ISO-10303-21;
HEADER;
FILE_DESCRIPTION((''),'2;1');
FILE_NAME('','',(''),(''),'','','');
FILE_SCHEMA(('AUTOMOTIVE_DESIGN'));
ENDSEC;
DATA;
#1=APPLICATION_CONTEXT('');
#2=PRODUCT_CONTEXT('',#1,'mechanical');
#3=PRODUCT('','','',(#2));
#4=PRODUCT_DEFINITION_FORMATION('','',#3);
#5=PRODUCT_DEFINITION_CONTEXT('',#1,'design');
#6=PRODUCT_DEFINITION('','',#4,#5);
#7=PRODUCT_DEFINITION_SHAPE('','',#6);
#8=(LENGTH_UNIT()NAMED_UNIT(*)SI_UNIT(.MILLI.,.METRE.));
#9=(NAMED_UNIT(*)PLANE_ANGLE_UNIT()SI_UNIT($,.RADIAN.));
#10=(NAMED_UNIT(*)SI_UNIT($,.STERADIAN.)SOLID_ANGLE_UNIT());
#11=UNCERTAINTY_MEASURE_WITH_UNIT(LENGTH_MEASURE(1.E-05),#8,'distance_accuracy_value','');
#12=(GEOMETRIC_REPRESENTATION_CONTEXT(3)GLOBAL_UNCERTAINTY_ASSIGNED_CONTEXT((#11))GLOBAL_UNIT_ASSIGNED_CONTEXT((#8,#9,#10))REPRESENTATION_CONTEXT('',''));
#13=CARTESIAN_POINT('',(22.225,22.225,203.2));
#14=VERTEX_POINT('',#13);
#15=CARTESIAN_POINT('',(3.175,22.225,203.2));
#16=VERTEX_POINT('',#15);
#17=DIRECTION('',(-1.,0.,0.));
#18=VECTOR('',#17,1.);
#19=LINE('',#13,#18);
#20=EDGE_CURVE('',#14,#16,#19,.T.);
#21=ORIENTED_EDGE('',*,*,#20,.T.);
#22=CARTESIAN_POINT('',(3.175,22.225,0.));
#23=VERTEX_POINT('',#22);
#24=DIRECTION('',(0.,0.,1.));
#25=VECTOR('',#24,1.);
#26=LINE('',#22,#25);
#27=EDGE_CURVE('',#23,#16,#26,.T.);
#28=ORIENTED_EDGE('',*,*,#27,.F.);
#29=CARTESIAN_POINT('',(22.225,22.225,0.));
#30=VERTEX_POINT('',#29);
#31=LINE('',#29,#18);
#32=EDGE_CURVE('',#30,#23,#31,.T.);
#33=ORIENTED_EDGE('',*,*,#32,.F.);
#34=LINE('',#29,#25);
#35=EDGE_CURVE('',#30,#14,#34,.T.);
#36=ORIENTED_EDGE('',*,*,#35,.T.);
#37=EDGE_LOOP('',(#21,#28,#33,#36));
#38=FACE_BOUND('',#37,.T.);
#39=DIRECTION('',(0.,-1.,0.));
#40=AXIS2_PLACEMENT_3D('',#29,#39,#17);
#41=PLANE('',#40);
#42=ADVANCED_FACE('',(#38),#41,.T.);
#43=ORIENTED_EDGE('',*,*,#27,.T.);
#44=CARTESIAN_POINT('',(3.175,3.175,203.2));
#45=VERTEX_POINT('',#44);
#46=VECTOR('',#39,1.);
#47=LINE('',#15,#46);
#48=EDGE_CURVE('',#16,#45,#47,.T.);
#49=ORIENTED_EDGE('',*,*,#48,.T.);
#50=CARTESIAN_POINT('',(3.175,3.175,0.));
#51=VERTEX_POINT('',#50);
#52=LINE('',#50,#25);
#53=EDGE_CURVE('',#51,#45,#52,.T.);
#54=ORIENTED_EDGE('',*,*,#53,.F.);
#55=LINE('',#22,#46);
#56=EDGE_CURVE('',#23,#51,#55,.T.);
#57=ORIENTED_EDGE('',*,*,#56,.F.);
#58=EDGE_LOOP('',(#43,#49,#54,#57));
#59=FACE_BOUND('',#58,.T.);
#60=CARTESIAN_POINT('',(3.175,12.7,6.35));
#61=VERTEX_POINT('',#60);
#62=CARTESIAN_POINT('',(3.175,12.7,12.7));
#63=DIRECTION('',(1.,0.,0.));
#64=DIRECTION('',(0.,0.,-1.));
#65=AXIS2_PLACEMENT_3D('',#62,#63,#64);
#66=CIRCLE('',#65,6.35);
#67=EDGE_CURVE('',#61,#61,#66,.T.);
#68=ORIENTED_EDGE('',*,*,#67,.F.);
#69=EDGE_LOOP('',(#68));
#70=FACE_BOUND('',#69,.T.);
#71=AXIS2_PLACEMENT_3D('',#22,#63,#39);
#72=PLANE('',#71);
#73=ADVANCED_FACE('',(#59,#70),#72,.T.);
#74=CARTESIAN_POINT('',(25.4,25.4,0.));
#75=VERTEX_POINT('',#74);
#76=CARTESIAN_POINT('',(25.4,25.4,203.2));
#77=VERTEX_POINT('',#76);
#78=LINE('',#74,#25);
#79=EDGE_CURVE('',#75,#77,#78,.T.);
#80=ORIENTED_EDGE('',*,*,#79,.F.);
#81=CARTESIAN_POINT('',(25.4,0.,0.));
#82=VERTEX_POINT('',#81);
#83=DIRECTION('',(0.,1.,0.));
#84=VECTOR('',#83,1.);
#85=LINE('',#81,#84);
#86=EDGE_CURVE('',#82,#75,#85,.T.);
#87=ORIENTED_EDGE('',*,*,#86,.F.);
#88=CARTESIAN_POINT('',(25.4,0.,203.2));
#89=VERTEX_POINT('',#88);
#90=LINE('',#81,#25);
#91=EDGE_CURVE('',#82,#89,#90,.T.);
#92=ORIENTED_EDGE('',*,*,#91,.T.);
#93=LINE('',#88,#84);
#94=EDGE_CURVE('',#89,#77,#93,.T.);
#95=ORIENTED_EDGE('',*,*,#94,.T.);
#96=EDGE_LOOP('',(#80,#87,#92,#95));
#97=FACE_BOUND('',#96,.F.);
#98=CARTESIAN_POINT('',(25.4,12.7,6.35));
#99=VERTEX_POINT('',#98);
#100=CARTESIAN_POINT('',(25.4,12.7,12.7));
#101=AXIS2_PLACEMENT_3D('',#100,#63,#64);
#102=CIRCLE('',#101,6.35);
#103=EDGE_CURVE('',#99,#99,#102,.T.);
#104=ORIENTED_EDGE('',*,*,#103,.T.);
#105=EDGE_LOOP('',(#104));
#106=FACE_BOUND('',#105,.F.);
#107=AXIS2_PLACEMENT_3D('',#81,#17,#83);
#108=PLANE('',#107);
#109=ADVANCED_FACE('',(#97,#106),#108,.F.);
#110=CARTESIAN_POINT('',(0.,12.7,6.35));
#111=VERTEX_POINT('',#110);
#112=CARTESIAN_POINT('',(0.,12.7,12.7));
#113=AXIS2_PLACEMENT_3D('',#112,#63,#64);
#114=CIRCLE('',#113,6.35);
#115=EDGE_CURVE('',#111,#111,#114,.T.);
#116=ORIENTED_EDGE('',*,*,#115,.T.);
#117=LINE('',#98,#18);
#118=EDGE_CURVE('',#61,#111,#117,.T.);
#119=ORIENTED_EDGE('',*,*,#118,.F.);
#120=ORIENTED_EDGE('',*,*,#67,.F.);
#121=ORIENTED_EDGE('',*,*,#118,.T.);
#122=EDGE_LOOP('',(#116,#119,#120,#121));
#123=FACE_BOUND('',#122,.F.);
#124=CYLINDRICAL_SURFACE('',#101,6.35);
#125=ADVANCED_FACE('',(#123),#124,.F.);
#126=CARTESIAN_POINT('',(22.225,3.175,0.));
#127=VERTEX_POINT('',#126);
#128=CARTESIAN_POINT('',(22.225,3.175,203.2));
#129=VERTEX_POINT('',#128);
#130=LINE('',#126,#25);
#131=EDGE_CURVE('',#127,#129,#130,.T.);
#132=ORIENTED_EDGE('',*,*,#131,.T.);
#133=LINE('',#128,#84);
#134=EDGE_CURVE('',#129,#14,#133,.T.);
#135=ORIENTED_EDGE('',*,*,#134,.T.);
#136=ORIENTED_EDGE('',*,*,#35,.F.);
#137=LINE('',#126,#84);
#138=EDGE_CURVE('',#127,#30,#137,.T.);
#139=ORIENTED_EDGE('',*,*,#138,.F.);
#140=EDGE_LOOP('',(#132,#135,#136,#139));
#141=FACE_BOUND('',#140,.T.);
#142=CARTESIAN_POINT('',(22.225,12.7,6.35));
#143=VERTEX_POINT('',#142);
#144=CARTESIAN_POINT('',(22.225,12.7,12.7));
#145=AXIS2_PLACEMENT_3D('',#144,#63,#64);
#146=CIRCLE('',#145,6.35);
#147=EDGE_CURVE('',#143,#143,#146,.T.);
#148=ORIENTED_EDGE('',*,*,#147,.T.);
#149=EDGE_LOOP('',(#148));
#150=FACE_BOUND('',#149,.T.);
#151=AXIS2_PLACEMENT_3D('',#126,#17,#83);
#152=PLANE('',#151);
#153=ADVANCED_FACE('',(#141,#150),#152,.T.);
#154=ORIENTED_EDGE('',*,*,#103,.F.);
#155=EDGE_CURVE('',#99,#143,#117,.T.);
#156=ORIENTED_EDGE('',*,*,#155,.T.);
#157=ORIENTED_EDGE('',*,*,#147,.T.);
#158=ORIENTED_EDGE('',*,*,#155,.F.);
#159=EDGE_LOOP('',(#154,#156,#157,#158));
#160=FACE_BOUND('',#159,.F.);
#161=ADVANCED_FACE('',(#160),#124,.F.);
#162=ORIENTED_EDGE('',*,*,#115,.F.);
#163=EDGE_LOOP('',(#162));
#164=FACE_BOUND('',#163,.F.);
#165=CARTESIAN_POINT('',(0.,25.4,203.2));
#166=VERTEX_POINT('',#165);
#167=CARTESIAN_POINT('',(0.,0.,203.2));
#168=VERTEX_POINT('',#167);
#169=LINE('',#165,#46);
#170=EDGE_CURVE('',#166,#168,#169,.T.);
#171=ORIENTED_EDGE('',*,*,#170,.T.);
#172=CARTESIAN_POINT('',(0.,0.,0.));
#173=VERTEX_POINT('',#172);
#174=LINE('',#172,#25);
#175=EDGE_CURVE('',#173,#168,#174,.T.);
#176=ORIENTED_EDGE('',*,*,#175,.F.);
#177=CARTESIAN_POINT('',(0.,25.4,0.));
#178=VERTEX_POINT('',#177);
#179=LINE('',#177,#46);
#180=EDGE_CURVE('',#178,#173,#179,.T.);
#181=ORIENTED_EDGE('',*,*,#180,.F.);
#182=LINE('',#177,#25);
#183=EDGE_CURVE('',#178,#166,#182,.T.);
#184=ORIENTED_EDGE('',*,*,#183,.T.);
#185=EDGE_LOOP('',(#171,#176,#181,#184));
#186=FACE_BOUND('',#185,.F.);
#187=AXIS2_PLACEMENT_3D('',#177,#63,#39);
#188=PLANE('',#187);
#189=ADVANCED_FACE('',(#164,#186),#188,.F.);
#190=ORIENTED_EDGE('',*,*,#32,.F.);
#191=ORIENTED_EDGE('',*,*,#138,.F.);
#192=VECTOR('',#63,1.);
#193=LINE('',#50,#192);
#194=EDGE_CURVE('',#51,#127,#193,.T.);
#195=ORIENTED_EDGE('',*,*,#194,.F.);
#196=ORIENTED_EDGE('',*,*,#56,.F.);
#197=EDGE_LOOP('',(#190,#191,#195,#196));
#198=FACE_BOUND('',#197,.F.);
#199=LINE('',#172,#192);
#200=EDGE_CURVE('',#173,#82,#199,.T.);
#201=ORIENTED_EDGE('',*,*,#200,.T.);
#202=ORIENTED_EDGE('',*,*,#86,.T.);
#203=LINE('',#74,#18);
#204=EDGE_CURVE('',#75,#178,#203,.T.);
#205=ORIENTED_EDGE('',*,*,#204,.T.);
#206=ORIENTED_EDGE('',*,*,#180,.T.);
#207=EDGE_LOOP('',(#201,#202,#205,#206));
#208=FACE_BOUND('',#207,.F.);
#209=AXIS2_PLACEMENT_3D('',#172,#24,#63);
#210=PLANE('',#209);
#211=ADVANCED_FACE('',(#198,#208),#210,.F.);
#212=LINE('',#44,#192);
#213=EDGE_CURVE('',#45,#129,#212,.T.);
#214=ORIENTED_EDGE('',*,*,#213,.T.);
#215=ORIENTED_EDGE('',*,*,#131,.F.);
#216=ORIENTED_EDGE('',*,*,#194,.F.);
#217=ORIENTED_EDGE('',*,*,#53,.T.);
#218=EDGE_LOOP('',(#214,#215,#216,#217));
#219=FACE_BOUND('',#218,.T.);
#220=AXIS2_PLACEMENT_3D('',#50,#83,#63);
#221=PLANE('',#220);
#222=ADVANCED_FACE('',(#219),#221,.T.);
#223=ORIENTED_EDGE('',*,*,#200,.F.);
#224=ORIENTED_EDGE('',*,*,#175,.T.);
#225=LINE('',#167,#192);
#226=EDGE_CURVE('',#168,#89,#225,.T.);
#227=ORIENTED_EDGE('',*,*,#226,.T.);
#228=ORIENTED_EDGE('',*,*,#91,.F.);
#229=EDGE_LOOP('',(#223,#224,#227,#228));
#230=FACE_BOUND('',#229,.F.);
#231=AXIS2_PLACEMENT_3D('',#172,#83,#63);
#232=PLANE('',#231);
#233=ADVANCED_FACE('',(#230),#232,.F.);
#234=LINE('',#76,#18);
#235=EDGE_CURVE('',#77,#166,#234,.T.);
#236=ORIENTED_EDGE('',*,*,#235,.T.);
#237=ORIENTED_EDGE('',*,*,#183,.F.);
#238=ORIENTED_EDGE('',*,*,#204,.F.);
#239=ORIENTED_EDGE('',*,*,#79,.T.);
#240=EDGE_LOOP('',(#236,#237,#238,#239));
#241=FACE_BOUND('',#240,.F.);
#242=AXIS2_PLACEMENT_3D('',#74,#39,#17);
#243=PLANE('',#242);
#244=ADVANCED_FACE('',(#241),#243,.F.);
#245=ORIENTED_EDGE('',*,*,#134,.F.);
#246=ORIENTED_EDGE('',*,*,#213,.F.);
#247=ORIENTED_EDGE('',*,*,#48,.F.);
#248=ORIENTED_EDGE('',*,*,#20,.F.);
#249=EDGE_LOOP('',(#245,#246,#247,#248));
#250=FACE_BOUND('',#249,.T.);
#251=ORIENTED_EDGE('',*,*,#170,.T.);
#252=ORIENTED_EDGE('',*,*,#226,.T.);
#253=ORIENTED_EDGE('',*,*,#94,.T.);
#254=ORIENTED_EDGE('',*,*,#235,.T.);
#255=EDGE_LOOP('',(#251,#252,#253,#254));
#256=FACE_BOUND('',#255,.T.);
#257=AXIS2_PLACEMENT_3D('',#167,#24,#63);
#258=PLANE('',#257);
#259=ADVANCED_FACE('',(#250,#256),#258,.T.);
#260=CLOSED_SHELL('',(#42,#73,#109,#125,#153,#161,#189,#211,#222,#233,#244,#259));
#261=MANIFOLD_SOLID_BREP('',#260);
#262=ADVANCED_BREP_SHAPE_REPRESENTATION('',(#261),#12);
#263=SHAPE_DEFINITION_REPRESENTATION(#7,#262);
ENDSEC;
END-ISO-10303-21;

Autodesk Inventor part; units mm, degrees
ref_plane "YZ Plane" through (0, 0, 0) normal (1, 0, 0) x (0, 1, 0)
ref_plane "XZ Plane" through (0, 0, 0) normal (0, 1, 0) x (-1, 0, 0)
ref_plane "XY Plane" through (0, 0, 0) normal (0, 0, 1) x (1, 0, 0)
sketch "Sketch1" plane through (0, 0, 0) normal (0, 0, 1) x (1, 0, 0)
  line L0 (0, 0) -> (25.4, 0)
  line L1 (25.4, 0) -> (25.4, 25.4)
  line L2 (25.4, 25.4) -> (0, 25.4)
  line L3 (0, 25.4) -> (0, 0)
  line L4 (3.175, 3.175) -> (22.225, 3.175)
  line L5 (22.225, 3.175) -> (22.225, 22.225)
  line L6 (22.225, 22.225) -> (3.175, 22.225)
  line L7 (3.175, 22.225) -> (3.175, 3.175)
  dimension "d0" = 3.175
  dimension "d1" = 3.175
  dimension "d2" = 3.175
  dimension "d3" = 3.175
  dimension "d4" = 25.4
  dimension "d5" = 25.4
extrude "Extrusion1" add sketch "Sketch1" along normal blind 203.2
sketch "Sketch2" plane through (25.4, 0, 0) normal (1, 0, 0) x (0, 0, -1)
  line L0 (0, 0) -> (0, 25.4) projected
  line L1 (0, 25.4) -> (-203.2, 25.4) projected
  circle A0 centre (-12.7, 12.7) radius 6.35
  dimension "d8" = 12.7
  dimension "d9" = 12.7
  dimension "d10" = 12.7
extrude "Extrusion2" cut sketch "Sketch2" against normal blind 203.2
equation "\"d1\" = d0"
equation "\"d2\" = d1"
equation "\"d3\" = d2"
equation "\"d10\" = d9"
properties part number "apendage horisantal arm"
